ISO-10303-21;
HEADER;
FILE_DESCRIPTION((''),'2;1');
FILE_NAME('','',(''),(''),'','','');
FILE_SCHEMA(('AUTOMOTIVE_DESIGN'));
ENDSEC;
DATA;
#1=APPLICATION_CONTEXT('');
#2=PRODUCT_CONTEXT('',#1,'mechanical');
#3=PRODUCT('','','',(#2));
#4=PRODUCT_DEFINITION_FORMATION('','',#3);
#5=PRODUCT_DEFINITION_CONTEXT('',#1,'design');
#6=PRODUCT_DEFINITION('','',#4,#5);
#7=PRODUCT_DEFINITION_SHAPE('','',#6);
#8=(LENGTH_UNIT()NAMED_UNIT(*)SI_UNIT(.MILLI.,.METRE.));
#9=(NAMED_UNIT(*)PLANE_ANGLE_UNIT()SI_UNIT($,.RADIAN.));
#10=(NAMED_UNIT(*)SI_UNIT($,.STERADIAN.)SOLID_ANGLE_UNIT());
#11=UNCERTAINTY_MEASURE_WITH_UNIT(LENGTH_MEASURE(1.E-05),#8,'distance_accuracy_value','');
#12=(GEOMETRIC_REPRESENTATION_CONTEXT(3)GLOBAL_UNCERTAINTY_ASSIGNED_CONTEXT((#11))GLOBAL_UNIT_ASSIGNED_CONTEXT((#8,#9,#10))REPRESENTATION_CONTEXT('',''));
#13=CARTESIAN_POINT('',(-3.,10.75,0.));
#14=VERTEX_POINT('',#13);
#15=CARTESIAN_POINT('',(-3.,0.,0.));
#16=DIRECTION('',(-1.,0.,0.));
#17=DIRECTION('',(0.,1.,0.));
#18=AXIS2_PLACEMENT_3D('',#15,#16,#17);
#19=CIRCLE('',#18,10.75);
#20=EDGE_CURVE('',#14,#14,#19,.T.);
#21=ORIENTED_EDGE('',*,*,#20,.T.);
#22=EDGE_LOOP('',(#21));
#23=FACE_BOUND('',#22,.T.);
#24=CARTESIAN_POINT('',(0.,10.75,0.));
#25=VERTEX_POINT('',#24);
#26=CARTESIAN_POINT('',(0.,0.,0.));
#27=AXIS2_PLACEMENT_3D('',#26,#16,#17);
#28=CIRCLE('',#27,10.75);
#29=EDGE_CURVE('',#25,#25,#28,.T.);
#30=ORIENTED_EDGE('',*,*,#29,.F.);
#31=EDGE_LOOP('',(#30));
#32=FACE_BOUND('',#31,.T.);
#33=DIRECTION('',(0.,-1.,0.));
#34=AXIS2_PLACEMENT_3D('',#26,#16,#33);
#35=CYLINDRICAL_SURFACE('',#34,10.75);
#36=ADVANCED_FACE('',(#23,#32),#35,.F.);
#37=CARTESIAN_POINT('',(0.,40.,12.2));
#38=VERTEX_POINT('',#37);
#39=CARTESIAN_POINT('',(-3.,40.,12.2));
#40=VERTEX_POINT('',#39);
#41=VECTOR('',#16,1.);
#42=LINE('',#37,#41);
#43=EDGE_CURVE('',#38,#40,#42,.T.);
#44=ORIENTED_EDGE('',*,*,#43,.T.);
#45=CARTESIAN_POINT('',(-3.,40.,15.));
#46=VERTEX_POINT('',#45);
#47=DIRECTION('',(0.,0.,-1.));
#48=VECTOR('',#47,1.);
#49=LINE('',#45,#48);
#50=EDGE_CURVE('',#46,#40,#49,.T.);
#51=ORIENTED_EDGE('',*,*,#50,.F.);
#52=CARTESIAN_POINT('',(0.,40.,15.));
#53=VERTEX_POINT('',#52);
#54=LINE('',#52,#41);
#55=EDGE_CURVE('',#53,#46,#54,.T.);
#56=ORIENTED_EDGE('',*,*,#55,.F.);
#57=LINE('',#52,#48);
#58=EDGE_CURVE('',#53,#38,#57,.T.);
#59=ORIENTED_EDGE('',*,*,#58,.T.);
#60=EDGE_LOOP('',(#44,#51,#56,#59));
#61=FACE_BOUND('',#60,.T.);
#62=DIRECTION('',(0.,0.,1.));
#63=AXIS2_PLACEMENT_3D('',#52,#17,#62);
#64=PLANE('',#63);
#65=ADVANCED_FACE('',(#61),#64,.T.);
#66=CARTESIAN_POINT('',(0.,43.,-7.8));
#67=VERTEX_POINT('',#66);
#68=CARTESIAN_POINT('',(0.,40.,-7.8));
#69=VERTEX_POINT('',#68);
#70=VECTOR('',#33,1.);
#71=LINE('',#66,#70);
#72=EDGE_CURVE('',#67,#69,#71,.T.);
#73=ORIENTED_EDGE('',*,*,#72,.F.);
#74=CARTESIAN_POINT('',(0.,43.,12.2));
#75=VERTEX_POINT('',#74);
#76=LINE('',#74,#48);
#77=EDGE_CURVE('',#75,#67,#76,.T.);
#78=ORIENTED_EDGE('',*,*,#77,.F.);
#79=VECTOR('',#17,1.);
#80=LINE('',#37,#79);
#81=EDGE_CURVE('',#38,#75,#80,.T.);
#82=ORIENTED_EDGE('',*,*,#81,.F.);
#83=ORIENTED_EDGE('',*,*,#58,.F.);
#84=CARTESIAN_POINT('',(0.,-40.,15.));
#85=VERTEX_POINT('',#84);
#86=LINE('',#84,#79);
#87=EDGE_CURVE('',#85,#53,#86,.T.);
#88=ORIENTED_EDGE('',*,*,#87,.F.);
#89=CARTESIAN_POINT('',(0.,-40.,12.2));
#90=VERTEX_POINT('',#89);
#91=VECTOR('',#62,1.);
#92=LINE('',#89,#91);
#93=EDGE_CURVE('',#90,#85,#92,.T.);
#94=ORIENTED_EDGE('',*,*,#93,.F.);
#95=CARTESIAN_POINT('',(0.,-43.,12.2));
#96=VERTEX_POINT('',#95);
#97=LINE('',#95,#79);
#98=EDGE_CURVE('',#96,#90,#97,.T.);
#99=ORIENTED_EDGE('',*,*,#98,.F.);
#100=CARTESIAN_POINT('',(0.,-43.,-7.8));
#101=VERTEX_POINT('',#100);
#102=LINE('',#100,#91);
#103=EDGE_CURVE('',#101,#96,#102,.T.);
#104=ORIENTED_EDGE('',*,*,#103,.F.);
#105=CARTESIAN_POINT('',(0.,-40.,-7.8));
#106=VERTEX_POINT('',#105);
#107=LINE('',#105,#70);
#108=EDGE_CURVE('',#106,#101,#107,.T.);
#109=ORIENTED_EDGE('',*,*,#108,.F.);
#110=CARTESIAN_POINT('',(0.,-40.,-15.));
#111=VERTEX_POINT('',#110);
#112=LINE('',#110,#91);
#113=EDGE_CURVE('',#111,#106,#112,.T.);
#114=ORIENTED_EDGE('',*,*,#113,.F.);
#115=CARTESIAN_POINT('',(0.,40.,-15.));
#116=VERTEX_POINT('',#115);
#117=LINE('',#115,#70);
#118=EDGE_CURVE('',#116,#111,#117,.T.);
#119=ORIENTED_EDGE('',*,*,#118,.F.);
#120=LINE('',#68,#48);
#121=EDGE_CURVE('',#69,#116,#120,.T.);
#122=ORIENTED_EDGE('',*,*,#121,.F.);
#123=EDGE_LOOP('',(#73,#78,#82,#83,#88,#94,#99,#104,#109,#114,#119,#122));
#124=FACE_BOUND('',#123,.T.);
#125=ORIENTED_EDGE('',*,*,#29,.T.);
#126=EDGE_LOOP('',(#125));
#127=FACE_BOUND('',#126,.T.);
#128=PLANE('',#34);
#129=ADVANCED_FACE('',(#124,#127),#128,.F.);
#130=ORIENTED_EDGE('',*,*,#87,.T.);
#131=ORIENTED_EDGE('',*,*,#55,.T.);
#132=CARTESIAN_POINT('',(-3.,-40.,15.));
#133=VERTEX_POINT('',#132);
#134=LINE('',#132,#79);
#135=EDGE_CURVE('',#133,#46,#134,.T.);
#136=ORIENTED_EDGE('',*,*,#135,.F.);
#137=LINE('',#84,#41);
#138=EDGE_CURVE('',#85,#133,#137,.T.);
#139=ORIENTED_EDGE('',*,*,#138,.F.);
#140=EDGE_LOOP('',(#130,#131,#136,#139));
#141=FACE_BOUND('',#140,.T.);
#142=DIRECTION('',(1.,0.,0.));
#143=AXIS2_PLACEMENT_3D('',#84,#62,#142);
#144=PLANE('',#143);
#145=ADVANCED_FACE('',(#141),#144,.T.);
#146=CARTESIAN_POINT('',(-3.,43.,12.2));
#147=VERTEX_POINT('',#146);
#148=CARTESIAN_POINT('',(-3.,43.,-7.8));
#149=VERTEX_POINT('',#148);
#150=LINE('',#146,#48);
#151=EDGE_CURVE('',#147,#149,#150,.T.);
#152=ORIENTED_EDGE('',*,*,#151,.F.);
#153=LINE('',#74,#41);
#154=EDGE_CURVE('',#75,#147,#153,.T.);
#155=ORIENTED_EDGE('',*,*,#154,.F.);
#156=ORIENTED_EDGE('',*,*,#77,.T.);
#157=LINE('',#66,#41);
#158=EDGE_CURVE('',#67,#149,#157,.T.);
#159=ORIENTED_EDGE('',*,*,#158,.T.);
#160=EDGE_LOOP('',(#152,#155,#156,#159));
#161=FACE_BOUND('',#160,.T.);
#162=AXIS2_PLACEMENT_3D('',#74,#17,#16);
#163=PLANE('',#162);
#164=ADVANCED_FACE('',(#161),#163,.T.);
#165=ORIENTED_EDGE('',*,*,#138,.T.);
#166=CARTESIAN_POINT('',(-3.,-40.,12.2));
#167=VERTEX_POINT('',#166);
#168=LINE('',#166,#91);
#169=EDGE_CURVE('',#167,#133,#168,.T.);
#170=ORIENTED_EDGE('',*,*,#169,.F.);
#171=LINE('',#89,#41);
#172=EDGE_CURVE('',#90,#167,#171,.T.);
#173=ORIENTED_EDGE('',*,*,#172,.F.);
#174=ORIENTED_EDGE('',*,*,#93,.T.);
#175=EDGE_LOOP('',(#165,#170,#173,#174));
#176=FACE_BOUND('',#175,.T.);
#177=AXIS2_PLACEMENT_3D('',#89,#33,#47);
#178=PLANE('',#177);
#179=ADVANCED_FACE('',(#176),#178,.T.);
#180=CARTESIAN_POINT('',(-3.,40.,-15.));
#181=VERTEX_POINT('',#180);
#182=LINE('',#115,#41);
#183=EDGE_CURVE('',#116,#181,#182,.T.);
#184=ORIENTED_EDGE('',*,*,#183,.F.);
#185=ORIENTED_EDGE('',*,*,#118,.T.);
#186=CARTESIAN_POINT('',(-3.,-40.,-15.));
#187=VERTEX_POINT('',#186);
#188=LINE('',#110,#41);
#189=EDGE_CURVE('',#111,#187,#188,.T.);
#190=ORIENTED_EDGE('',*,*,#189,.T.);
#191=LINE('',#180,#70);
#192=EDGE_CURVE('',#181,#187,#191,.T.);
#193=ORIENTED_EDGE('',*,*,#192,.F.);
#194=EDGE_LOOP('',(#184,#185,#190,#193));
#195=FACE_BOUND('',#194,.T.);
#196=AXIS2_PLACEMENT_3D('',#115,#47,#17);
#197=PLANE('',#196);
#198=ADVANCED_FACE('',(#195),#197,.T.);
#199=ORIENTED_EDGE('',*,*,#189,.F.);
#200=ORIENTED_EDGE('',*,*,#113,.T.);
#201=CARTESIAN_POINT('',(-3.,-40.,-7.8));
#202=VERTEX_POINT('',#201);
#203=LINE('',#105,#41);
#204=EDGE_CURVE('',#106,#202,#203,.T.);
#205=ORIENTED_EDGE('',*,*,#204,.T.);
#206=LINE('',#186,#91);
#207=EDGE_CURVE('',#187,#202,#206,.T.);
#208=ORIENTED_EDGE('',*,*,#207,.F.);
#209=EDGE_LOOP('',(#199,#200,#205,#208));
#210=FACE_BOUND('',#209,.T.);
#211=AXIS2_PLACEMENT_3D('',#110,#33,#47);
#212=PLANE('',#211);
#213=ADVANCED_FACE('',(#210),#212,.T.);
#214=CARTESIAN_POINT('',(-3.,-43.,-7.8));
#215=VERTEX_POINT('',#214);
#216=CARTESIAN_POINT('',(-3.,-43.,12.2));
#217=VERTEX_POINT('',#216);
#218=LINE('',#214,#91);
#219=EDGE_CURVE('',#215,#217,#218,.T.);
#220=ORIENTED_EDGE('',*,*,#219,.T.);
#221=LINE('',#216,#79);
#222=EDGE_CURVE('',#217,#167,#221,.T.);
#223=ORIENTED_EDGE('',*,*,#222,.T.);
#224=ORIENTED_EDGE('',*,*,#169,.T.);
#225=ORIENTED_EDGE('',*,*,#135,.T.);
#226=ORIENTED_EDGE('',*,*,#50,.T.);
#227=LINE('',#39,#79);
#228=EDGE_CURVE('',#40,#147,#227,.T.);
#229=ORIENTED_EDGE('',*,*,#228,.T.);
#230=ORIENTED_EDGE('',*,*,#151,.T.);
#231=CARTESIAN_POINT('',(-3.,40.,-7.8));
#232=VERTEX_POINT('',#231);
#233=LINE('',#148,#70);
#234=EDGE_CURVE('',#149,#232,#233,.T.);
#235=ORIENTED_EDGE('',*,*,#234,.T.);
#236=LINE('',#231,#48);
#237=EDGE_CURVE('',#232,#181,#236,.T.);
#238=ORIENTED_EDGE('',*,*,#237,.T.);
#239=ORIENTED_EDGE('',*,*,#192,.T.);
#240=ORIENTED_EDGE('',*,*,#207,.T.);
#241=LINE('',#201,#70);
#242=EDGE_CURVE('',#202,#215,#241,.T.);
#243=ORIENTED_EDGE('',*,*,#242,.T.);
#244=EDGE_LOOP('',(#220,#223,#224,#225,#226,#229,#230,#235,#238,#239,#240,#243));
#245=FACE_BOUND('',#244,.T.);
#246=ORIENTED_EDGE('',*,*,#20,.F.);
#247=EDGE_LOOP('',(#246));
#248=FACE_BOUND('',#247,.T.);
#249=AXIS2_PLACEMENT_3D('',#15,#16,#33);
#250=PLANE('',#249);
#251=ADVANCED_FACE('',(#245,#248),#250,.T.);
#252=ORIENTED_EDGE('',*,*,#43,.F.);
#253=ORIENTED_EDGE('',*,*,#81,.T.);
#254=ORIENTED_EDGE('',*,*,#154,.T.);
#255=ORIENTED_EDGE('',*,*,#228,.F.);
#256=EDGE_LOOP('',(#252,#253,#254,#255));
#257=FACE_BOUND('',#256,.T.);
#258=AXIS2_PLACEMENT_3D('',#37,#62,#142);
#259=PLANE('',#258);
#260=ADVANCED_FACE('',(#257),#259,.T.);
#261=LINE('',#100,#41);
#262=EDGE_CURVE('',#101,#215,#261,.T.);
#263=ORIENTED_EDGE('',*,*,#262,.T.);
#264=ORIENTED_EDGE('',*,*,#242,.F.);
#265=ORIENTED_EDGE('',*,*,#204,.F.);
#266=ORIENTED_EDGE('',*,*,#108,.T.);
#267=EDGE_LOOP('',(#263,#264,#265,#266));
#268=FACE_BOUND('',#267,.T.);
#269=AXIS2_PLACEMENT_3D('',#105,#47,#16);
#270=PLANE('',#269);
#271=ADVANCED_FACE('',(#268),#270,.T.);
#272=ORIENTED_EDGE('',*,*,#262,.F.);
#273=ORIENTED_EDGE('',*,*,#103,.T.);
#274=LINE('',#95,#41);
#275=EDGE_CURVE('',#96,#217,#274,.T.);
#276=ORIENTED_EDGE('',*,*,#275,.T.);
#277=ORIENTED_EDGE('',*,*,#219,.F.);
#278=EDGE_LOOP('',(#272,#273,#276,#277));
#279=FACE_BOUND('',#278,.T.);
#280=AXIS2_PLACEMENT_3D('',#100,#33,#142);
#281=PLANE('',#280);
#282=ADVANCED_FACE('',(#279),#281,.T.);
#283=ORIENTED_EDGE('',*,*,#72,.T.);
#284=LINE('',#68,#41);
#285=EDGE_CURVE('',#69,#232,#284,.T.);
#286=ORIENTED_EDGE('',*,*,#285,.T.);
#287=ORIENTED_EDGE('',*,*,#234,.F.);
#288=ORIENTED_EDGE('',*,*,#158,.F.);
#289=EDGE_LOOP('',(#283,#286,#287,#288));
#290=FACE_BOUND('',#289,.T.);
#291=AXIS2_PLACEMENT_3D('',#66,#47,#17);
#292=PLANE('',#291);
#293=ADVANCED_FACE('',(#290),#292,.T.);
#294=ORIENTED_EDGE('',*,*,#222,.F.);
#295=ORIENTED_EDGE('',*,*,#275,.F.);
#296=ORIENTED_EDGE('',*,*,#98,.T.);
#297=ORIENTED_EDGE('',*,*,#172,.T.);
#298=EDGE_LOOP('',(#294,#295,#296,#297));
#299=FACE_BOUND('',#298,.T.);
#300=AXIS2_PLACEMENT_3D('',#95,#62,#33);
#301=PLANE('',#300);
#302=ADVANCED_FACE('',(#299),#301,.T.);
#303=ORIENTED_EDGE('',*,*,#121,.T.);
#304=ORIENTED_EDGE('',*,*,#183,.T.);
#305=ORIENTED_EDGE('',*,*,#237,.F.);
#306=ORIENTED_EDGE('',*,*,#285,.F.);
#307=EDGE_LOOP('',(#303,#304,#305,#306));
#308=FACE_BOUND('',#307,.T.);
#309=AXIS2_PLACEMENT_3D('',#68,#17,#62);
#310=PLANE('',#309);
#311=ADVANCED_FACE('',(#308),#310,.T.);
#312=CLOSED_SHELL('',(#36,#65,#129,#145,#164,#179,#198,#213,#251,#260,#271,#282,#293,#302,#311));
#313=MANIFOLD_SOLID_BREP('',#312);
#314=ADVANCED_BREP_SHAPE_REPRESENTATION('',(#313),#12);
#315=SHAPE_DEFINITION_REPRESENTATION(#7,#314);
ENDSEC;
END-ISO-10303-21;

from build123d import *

# Parameters (mm, degrees)
ESQUISSE1_R        = 10.75
BOSS_EXTRU_1_DEPTH = 3


with BuildPart() as part:
    # Esquisse1 → Boss.-Extru.1 (new body)
    with BuildSketch(Plane(origin=(-3, 0, 0), x_dir=(0, -1, 0), z_dir=(-1, 0, 0))):
        Polygon((40, 15), (-40, 15), (-40, 12.2), (-43, 12.2), (-43, -7.8), (-40, -7.8), (-40, -15), (40, -15), (40, -7.8), (43, -7.8), (43, 12.2), (40, 12.2), align=None)
        with Locations(Location((0, 0, 0), (0, 0, 180))):
            Circle(ESQUISSE1_R, mode=Mode.SUBTRACT)
    extrude(amount=-BOSS_EXTRU_1_DEPTH)


solid = part.part
